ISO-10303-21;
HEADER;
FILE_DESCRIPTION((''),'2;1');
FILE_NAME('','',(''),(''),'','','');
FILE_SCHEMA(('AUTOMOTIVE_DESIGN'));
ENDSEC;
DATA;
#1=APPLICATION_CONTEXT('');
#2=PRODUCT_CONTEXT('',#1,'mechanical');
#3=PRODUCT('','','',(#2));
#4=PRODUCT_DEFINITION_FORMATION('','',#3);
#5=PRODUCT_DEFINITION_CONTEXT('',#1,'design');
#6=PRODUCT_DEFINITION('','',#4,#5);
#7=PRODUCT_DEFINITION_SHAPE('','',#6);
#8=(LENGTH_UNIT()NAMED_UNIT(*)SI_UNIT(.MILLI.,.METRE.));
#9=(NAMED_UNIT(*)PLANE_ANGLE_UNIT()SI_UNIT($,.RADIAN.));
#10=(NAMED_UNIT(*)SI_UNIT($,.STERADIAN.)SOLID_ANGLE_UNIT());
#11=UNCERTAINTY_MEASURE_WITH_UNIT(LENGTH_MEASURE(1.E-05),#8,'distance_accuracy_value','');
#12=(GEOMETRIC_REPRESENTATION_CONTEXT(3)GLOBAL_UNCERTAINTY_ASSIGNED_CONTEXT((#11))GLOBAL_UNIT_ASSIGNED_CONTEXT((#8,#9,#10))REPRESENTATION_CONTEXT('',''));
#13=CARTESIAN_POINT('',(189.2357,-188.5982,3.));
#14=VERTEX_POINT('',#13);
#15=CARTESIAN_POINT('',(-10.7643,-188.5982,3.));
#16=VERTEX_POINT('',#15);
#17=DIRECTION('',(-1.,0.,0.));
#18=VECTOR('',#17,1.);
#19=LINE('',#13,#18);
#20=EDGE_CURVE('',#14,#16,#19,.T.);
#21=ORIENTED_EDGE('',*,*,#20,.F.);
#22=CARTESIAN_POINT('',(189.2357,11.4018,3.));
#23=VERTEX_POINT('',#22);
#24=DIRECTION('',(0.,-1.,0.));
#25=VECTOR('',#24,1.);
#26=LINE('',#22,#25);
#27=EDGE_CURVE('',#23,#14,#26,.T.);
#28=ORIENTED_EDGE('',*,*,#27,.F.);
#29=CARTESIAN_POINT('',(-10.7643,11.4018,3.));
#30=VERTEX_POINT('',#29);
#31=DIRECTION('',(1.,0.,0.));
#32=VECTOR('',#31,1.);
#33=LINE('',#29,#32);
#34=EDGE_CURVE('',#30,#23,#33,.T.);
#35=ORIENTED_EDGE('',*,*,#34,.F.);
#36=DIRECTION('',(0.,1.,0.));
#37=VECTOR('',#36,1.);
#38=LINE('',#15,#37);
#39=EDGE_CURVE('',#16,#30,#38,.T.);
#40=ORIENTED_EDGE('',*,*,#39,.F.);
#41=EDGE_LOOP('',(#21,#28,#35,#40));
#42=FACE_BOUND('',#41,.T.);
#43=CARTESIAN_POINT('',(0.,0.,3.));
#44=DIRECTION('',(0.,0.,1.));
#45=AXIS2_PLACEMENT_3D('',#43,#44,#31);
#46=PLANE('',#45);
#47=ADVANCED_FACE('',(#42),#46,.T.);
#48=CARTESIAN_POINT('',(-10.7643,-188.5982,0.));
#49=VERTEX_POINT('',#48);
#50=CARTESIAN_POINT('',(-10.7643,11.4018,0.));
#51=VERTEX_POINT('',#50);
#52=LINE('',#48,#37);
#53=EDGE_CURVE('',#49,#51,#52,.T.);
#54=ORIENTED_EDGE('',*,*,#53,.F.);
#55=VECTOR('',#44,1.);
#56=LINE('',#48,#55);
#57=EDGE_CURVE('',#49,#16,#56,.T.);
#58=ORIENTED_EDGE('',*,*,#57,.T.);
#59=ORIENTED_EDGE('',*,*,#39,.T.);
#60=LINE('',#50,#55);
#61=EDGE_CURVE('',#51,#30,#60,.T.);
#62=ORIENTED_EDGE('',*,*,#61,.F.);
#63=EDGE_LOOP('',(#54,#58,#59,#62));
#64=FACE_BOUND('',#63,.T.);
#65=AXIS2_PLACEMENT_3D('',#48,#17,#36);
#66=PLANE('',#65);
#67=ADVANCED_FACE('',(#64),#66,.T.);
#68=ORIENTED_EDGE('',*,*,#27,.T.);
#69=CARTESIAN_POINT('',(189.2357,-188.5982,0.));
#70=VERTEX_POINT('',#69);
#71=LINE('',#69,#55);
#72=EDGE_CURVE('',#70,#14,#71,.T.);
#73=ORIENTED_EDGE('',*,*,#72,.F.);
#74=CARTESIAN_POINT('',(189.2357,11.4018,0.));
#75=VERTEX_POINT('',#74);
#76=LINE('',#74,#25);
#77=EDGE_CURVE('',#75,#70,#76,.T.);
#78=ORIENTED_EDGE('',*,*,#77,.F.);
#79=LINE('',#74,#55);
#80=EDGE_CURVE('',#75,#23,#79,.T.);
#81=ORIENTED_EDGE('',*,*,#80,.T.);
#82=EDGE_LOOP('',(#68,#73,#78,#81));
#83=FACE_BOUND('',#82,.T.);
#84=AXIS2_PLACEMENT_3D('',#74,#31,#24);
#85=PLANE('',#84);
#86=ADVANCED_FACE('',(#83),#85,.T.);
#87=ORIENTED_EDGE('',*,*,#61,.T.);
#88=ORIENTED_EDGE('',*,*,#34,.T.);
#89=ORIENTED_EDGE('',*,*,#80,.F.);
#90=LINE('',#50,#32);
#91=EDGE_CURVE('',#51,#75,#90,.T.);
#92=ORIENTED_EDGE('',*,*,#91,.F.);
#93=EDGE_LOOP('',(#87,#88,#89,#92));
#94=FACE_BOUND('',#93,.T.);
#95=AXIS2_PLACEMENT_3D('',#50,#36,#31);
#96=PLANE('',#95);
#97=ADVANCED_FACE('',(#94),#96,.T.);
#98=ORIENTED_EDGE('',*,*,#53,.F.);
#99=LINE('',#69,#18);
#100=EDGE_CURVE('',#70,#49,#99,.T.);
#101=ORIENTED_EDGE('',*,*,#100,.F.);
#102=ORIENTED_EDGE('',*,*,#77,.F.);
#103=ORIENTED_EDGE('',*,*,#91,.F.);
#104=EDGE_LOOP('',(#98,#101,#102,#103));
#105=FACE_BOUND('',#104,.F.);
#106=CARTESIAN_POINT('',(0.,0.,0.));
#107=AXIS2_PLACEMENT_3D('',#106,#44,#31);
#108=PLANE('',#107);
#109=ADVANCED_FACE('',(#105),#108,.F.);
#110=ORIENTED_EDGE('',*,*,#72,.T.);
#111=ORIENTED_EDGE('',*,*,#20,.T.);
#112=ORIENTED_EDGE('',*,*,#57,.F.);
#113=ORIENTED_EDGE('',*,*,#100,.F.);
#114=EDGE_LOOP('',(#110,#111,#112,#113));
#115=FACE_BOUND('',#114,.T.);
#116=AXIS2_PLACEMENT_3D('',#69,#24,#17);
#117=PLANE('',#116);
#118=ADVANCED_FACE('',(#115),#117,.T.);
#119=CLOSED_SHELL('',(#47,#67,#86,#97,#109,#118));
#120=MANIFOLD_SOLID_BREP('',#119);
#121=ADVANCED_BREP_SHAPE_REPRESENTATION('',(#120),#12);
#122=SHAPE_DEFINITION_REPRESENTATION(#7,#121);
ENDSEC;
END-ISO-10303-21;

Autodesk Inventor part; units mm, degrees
ref_plane "YZ Plane" through (0, 0, 0) normal (1, 0, 0) x (0, 1, 0)
ref_plane "XZ Plane" through (0, 0, 0) normal (0, 1, 0) x (-1, 0, 0)
ref_plane "XY Plane" through (0, 0, 0) normal (0, 0, 1) x (1, 0, 0)
sketch "Sketch1" plane through (0, 0, 0) normal (0, 0, 1) x (1, 0, 0)
  line L0 (-10.7643, 11.4018) -> (189.2357, 11.4018)
  line L1 (189.2357, 11.4018) -> (189.2357, -188.5982)
  line L2 (189.2357, -188.5982) -> (-10.7643, -188.5982)
  line L3 (-10.7643, -188.5982) -> (-10.7643, 11.4018)
  point P0 (0, 0)
  dimension "d0" = 200
  dimension "d1" = 200
extrude "Extrusion1" add sketch "Sketch1" along normal blind 3
properties part number "face" material "Glass"
